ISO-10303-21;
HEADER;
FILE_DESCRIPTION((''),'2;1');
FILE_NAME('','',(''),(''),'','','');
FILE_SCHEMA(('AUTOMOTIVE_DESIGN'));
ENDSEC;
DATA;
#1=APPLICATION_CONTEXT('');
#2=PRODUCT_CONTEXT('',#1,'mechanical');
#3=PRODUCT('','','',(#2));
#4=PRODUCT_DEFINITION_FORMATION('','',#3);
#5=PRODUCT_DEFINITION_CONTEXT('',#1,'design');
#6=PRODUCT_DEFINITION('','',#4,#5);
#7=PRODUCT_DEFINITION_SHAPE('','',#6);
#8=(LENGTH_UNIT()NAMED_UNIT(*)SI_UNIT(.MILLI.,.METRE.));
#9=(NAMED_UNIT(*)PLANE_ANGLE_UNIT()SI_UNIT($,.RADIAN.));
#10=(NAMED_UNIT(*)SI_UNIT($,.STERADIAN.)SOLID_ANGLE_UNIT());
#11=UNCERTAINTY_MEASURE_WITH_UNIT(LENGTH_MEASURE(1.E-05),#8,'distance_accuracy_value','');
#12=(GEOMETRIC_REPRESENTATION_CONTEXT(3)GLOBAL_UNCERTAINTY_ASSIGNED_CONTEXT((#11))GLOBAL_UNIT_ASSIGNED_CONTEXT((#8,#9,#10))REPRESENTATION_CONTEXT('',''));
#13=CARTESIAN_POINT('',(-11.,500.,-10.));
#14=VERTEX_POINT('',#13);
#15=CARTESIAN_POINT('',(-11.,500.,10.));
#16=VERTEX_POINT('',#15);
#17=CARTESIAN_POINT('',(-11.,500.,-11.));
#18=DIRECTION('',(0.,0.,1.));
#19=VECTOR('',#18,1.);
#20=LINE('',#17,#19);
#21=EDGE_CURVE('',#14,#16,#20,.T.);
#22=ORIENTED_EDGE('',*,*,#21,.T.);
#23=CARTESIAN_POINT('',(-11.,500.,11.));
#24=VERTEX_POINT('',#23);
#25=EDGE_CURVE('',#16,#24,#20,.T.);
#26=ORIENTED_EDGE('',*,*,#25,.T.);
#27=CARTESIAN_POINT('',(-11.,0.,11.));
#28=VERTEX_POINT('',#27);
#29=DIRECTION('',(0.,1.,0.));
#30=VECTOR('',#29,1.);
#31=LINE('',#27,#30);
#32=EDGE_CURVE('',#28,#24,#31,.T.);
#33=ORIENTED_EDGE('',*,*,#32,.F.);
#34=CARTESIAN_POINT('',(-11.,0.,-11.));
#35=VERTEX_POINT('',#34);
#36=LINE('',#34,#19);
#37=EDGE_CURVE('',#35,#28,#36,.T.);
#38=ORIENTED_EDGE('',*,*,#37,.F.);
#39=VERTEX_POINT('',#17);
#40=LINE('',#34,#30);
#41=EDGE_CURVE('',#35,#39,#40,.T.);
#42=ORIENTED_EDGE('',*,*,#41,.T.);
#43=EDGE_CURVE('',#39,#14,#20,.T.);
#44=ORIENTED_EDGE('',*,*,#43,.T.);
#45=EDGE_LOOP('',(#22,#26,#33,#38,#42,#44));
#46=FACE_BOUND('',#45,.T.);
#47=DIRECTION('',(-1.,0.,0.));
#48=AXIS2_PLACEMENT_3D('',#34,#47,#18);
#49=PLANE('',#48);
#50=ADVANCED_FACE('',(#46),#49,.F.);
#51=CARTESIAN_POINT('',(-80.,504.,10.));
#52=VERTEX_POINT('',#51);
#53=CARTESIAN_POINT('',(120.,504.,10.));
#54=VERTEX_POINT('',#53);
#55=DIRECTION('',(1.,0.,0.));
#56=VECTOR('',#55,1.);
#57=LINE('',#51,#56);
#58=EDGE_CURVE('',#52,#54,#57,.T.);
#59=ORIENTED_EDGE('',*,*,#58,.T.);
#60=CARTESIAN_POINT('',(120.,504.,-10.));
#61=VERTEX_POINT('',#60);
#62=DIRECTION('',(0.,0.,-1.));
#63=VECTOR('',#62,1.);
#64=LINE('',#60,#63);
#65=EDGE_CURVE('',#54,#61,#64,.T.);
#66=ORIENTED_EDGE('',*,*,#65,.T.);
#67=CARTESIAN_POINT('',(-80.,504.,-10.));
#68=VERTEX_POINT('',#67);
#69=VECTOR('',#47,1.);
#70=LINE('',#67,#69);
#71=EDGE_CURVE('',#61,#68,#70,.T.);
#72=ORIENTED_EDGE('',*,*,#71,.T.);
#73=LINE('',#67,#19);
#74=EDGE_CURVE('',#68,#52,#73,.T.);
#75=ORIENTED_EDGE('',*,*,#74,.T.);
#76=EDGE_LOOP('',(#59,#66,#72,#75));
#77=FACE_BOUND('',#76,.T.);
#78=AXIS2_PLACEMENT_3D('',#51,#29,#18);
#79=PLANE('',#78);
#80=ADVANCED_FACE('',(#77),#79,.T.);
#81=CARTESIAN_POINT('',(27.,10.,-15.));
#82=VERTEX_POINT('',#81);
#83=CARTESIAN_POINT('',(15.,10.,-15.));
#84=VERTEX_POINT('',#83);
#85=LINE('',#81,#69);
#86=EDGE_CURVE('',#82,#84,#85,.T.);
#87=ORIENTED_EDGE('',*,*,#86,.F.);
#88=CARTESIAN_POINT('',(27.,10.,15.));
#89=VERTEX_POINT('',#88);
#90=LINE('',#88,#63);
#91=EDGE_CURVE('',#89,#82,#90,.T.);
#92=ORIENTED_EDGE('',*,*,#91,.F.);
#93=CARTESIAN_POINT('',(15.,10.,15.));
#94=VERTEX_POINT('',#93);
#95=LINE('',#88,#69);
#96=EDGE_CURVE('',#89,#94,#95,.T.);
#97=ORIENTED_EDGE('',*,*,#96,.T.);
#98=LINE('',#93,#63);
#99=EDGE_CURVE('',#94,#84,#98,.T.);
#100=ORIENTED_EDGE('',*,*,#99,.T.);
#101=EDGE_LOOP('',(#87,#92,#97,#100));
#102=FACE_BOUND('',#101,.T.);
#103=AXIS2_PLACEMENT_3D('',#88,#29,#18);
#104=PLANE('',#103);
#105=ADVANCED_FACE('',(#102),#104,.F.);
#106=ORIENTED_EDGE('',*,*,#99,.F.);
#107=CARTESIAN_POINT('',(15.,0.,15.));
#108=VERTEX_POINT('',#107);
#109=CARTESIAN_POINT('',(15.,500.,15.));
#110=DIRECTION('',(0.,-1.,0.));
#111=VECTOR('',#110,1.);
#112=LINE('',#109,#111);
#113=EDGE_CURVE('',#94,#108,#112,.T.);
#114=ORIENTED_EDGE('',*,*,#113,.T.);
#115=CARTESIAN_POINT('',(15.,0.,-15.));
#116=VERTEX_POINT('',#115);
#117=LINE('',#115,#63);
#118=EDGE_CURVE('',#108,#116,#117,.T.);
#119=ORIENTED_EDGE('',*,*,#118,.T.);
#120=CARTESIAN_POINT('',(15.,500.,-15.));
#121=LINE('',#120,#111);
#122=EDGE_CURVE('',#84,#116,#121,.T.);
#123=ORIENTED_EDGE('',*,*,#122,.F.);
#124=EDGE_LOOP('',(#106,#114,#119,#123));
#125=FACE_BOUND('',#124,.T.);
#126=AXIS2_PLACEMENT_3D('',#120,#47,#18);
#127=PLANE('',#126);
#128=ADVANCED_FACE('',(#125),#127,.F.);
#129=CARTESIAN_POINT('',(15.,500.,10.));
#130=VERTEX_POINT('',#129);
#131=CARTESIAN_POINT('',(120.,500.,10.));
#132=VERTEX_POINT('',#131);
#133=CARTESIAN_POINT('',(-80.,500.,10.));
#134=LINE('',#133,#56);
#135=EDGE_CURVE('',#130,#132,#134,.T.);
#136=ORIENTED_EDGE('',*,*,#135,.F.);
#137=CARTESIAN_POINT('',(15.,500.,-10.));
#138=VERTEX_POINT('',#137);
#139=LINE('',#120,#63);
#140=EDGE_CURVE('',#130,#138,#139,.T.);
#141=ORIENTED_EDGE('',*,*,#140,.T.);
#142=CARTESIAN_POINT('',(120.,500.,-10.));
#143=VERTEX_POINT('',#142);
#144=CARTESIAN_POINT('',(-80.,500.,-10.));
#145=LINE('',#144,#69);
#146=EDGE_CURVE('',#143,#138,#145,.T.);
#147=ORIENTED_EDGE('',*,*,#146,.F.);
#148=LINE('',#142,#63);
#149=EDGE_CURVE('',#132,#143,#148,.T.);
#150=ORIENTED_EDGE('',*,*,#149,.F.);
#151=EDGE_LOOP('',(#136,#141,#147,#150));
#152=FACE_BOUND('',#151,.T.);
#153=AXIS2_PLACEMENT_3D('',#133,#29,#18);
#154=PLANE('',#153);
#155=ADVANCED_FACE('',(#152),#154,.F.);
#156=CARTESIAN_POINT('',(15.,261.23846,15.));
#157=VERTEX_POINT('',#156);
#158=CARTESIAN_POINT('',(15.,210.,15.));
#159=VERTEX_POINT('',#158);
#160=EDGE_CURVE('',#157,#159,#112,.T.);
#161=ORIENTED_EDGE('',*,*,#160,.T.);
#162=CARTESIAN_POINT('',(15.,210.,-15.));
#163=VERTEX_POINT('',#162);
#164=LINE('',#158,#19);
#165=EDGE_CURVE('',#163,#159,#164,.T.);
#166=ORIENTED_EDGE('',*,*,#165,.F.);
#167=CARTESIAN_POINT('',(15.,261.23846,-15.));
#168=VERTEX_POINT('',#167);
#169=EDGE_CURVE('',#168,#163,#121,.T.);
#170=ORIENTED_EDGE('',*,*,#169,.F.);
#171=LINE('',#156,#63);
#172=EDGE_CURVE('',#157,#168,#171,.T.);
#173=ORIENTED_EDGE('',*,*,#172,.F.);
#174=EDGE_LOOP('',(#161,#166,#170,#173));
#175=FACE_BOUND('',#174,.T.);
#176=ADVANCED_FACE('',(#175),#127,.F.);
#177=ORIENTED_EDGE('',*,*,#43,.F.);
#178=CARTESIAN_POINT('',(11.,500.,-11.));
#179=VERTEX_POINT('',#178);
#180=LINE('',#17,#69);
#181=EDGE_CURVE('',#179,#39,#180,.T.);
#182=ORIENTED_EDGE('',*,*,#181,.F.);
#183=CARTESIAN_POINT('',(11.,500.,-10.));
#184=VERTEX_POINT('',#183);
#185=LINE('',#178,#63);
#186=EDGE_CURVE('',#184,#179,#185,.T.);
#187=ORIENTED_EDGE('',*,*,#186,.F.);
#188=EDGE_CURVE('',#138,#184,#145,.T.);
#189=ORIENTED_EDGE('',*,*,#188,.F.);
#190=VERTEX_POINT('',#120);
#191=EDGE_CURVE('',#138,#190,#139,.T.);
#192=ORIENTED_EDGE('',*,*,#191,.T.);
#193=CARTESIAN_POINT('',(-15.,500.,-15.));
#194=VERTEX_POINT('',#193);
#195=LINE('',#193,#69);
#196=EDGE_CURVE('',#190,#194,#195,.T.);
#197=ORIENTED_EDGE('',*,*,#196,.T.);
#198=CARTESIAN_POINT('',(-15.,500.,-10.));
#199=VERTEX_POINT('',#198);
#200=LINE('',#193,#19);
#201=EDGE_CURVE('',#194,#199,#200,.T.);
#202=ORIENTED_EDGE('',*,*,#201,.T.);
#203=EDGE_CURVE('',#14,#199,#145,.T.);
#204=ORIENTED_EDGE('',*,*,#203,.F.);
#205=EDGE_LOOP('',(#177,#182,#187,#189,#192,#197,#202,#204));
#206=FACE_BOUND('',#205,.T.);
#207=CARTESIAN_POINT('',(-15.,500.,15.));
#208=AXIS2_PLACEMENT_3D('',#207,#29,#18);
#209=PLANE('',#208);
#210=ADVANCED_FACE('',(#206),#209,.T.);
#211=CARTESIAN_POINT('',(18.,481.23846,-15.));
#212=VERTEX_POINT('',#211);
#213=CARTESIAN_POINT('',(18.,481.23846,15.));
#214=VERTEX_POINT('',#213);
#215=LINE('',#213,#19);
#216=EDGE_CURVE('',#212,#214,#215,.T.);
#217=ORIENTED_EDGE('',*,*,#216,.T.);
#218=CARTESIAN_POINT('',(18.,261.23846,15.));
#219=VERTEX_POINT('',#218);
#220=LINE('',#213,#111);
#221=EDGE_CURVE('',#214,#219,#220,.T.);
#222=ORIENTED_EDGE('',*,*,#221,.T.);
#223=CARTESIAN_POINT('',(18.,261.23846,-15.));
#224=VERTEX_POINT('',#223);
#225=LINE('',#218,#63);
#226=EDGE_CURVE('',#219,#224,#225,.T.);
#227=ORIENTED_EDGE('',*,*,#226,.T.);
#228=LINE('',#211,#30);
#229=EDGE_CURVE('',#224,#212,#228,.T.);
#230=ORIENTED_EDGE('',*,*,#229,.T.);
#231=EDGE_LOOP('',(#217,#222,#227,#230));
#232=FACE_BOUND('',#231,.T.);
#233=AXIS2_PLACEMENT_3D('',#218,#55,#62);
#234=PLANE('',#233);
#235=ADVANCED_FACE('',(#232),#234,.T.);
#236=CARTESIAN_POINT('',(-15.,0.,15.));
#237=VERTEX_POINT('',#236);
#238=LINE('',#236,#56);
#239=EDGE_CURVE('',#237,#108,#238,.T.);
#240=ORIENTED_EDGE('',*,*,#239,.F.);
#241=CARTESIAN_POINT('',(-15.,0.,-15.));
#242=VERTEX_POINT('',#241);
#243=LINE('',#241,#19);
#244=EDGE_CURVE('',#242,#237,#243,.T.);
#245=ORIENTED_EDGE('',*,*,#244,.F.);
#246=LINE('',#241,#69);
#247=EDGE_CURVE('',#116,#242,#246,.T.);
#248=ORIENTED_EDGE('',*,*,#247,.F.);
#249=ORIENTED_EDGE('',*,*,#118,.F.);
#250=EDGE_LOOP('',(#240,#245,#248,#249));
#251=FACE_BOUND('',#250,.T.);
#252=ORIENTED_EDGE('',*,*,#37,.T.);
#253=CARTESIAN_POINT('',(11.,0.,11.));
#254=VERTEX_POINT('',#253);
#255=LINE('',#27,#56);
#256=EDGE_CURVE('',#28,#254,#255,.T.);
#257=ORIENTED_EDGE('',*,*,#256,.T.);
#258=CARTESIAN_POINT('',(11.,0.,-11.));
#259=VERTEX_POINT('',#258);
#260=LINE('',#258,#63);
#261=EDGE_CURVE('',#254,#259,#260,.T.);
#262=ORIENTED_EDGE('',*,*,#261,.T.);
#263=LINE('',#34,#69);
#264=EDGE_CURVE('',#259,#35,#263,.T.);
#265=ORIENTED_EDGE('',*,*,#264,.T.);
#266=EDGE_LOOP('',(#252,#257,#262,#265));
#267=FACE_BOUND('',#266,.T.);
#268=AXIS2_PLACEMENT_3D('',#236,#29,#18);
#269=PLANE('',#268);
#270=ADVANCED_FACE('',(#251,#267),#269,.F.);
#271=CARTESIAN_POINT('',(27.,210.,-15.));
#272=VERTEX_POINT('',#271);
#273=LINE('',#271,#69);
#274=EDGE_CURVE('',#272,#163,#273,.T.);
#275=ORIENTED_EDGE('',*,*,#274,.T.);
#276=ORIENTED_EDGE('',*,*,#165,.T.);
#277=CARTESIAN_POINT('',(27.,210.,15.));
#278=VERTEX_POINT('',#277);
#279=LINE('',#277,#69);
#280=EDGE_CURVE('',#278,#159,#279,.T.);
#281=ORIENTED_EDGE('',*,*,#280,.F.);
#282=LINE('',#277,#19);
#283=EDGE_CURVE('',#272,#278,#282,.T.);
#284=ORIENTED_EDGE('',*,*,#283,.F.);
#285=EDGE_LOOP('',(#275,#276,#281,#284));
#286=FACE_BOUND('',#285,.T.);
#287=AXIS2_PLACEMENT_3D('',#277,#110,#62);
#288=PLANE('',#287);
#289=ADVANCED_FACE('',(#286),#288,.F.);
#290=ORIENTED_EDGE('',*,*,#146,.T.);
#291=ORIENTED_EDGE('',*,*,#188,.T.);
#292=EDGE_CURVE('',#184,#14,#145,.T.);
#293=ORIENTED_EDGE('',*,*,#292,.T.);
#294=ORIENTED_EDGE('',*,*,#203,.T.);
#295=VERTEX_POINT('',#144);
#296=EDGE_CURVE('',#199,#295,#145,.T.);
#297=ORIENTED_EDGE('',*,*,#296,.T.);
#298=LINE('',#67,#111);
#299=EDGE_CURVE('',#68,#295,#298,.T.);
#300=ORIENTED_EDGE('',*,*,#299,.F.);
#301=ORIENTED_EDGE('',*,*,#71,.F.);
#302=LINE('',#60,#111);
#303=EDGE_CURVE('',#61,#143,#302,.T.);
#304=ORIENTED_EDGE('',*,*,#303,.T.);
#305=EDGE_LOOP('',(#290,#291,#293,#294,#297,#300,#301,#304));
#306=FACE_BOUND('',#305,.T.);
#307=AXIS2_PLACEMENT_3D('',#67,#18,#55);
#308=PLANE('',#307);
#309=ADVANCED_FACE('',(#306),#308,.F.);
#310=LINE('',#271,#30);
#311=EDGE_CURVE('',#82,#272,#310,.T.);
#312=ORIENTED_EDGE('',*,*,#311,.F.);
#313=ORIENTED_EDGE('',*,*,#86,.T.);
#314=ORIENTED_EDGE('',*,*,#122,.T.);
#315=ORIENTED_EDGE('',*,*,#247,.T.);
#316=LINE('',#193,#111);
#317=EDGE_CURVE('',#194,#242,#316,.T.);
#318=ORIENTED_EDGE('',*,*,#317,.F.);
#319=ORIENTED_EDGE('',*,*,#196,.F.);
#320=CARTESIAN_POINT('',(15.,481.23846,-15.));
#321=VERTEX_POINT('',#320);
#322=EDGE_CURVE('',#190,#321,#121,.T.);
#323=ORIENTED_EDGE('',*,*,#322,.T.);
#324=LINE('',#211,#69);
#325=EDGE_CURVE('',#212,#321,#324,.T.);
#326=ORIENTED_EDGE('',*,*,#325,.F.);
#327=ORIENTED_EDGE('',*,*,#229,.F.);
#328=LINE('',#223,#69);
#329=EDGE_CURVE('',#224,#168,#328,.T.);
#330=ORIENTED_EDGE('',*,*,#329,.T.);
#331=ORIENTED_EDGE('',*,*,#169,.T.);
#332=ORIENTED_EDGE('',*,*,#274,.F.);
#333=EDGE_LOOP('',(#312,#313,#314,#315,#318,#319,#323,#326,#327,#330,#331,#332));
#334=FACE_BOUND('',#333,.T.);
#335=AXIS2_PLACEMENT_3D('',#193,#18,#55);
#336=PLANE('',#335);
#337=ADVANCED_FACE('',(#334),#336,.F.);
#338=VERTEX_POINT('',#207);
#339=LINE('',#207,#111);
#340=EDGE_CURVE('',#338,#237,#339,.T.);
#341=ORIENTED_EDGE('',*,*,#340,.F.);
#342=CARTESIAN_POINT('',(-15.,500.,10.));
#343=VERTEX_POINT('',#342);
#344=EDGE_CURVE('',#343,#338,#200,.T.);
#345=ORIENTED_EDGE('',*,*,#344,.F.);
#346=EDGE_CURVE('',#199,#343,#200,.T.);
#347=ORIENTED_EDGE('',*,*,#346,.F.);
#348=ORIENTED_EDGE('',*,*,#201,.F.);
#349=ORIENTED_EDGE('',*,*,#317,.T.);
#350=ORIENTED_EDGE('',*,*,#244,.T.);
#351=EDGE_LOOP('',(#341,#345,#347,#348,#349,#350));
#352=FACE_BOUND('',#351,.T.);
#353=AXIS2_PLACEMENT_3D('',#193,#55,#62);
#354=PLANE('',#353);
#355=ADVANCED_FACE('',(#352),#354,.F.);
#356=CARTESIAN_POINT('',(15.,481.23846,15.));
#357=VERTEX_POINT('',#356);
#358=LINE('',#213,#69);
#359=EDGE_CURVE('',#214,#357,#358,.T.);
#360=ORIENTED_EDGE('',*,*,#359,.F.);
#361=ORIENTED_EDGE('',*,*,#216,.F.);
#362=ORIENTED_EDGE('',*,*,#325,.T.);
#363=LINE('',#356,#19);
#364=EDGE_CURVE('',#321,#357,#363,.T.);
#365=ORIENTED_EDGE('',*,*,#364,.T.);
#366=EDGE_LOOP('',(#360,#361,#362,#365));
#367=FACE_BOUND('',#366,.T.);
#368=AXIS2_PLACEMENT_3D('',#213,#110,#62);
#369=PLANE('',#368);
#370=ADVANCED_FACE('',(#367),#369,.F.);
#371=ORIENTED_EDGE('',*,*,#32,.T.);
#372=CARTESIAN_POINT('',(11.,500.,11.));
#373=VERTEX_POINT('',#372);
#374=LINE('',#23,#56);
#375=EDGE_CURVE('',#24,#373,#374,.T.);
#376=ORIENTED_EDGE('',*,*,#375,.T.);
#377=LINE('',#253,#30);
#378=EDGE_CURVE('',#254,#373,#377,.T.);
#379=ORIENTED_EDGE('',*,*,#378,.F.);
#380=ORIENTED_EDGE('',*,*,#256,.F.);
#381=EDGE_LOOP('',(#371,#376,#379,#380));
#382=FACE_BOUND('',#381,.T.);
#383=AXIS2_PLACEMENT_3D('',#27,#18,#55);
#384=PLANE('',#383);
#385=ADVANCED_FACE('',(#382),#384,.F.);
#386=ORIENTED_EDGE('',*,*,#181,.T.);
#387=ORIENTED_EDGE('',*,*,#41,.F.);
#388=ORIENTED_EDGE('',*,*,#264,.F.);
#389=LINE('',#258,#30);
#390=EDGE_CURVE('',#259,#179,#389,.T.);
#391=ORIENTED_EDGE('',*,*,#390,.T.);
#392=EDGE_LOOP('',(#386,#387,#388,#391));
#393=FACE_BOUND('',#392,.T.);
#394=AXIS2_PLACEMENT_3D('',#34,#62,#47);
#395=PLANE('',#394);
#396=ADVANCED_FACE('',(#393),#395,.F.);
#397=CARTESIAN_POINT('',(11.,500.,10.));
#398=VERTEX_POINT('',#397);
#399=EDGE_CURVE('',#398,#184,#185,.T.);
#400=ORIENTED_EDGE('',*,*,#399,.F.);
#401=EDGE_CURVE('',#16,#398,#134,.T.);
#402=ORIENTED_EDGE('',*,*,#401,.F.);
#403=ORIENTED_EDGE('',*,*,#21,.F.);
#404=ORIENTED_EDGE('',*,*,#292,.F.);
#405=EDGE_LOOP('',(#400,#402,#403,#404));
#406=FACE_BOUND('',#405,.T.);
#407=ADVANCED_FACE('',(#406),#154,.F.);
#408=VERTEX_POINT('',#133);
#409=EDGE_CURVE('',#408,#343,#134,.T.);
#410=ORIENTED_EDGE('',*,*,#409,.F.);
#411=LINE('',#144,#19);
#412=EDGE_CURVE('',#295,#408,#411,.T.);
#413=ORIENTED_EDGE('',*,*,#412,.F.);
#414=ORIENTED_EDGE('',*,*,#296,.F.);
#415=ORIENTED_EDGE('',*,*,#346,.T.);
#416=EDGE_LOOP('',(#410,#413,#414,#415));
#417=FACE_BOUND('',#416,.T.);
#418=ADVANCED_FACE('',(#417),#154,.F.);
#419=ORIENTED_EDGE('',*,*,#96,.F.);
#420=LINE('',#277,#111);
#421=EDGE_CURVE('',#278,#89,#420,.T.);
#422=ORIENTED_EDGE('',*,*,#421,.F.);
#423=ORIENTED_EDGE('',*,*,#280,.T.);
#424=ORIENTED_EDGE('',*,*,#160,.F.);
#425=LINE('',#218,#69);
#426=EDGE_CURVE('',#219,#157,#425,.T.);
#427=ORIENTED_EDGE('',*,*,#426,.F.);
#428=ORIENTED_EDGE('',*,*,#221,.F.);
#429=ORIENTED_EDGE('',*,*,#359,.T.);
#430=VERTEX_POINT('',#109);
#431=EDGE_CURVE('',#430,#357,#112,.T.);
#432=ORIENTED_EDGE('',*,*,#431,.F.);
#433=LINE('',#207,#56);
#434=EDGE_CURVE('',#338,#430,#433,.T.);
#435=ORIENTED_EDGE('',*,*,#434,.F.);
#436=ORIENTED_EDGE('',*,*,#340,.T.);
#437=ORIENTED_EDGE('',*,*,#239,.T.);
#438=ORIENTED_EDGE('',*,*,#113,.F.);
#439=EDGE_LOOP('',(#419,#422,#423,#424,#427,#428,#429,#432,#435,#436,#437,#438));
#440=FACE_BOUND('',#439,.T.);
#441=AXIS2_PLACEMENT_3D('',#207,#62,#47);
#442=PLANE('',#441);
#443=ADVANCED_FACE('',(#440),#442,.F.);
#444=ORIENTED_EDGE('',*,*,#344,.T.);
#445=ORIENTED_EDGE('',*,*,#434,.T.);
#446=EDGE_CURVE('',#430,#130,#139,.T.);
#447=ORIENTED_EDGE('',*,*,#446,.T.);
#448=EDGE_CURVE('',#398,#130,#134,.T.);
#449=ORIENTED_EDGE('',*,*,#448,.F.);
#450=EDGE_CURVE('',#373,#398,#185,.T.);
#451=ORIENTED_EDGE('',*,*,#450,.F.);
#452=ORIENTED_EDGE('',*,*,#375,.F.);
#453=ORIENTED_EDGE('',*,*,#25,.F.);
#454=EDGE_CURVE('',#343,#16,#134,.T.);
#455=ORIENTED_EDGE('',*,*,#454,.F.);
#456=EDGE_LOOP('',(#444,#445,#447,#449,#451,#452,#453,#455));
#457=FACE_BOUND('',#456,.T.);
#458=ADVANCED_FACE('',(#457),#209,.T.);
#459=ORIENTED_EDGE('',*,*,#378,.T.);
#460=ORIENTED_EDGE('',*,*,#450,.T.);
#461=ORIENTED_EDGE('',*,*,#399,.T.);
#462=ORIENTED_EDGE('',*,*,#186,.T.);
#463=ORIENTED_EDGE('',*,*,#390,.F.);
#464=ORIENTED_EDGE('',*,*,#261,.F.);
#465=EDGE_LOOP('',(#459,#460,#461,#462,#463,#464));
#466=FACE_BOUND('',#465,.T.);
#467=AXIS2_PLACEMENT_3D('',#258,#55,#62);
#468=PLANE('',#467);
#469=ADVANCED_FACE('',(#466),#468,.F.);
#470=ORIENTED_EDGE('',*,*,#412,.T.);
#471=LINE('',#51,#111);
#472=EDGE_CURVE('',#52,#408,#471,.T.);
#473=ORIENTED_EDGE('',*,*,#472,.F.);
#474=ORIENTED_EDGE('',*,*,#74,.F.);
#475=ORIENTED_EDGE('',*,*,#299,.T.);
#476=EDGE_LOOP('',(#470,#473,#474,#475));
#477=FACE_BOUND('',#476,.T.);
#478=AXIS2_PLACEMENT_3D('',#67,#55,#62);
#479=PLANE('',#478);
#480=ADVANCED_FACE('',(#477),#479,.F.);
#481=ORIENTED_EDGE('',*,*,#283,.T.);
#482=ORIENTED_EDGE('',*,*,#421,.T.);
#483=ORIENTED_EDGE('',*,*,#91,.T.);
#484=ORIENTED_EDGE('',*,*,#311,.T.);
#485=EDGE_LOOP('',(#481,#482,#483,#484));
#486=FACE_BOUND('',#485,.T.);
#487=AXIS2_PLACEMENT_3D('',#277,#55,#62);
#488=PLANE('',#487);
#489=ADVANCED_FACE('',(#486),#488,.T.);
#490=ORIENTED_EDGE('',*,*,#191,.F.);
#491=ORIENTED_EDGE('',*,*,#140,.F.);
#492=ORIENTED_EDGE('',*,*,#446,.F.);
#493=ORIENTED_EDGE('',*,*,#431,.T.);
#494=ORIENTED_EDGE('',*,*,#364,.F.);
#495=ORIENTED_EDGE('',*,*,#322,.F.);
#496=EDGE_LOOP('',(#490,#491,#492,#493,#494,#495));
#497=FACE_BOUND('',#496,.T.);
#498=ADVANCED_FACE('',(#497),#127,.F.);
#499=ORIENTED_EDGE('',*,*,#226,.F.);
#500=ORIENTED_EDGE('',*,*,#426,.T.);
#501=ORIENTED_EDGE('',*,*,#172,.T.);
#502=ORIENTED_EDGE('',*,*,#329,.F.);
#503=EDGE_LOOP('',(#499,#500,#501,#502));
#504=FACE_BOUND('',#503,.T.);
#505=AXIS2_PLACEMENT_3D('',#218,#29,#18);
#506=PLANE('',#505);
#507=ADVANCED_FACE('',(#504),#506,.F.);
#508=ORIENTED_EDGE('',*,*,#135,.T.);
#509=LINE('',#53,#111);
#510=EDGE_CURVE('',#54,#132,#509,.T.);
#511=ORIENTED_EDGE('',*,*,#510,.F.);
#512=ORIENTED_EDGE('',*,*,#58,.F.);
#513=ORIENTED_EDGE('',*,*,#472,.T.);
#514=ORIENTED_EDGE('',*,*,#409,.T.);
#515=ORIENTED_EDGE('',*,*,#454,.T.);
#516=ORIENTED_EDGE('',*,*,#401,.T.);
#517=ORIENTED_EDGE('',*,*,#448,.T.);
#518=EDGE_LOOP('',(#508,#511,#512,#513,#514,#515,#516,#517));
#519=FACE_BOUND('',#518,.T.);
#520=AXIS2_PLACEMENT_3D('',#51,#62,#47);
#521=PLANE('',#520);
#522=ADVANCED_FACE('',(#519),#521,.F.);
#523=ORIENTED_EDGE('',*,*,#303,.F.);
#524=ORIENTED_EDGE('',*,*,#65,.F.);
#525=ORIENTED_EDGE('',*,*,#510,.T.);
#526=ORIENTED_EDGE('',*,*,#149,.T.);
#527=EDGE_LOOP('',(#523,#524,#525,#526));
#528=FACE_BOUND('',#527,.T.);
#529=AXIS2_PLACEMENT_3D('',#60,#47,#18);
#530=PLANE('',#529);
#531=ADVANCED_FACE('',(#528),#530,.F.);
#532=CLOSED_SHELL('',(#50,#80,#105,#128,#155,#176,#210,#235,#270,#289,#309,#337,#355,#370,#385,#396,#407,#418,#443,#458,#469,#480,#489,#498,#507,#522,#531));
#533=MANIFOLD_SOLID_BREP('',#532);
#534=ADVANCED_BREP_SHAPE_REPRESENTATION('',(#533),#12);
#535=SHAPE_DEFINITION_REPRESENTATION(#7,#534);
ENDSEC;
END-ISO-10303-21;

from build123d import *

# Parameters (mm, degrees)
SKETCH1_W          = 30
SKETCH1_H          = 30
EXTRUDE1_DEPTH     = 500
SKETCH2_W          = 22
SKETCH2_H          = 22
CUT_EXTRUDE1_DEPTH = 500
SKETCH3_W          = 200
SKETCH3_H          = 20
EXTRUDE2_DEPTH     = 4
SKETCH4_W          = 30
SKETCH4_H          = 200
EXTRUDE3_DEPTH     = 12
SKETCH6_W          = 30
SKETCH6_H          = 220
EXTRUDE4_DEPTH     = 3


with BuildPart() as part:
    # Sketch1 → Extrude1 (new body)
    with BuildSketch(Plane(origin=(0, 0, 0), x_dir=(1, 0, 0), z_dir=(0, 1, 0))):
        Rectangle(SKETCH1_W, SKETCH1_H)
    extrude(amount=EXTRUDE1_DEPTH)

    # Sketch2 → Cut-Extrude1 (cut)
    with BuildSketch(Plane(origin=(0, 500, 0), x_dir=(1, 0, 0), z_dir=(0, 1, 0))):
        Rectangle(SKETCH2_W, SKETCH2_H)
    extrude(amount=-CUT_EXTRUDE1_DEPTH, mode=Mode.SUBTRACT)

    # Sketch3 → Extrude2 (add)
    with BuildSketch(Plane(origin=(0, 500, 0), x_dir=(1, 0, 0), z_dir=(0, 1, 0))):
        with Locations((20, 0)):
            Rectangle(SKETCH3_W, SKETCH3_H)
    extrude(amount=EXTRUDE2_DEPTH)

    # Sketch4 → Extrude3 (add)
    with BuildSketch(Plane(origin=(15, 0, 0), x_dir=(0, 0, -1), z_dir=(1, 0, 0))):
        with Locations((0, 110)):
            Rectangle(SKETCH4_W, SKETCH4_H)
    extrude(amount=EXTRUDE3_DEPTH)

    # Sketch6 → Extrude4 (add)
    with BuildSketch(Plane(origin=(15, 0, 0), x_dir=(0, 0, -1), z_dir=(1, 0, 0))):
        with Locations((0, 371.238460257)):
            Rectangle(SKETCH6_W, SKETCH6_H)
    extrude(amount=EXTRUDE4_DEPTH)


solid = part.part
